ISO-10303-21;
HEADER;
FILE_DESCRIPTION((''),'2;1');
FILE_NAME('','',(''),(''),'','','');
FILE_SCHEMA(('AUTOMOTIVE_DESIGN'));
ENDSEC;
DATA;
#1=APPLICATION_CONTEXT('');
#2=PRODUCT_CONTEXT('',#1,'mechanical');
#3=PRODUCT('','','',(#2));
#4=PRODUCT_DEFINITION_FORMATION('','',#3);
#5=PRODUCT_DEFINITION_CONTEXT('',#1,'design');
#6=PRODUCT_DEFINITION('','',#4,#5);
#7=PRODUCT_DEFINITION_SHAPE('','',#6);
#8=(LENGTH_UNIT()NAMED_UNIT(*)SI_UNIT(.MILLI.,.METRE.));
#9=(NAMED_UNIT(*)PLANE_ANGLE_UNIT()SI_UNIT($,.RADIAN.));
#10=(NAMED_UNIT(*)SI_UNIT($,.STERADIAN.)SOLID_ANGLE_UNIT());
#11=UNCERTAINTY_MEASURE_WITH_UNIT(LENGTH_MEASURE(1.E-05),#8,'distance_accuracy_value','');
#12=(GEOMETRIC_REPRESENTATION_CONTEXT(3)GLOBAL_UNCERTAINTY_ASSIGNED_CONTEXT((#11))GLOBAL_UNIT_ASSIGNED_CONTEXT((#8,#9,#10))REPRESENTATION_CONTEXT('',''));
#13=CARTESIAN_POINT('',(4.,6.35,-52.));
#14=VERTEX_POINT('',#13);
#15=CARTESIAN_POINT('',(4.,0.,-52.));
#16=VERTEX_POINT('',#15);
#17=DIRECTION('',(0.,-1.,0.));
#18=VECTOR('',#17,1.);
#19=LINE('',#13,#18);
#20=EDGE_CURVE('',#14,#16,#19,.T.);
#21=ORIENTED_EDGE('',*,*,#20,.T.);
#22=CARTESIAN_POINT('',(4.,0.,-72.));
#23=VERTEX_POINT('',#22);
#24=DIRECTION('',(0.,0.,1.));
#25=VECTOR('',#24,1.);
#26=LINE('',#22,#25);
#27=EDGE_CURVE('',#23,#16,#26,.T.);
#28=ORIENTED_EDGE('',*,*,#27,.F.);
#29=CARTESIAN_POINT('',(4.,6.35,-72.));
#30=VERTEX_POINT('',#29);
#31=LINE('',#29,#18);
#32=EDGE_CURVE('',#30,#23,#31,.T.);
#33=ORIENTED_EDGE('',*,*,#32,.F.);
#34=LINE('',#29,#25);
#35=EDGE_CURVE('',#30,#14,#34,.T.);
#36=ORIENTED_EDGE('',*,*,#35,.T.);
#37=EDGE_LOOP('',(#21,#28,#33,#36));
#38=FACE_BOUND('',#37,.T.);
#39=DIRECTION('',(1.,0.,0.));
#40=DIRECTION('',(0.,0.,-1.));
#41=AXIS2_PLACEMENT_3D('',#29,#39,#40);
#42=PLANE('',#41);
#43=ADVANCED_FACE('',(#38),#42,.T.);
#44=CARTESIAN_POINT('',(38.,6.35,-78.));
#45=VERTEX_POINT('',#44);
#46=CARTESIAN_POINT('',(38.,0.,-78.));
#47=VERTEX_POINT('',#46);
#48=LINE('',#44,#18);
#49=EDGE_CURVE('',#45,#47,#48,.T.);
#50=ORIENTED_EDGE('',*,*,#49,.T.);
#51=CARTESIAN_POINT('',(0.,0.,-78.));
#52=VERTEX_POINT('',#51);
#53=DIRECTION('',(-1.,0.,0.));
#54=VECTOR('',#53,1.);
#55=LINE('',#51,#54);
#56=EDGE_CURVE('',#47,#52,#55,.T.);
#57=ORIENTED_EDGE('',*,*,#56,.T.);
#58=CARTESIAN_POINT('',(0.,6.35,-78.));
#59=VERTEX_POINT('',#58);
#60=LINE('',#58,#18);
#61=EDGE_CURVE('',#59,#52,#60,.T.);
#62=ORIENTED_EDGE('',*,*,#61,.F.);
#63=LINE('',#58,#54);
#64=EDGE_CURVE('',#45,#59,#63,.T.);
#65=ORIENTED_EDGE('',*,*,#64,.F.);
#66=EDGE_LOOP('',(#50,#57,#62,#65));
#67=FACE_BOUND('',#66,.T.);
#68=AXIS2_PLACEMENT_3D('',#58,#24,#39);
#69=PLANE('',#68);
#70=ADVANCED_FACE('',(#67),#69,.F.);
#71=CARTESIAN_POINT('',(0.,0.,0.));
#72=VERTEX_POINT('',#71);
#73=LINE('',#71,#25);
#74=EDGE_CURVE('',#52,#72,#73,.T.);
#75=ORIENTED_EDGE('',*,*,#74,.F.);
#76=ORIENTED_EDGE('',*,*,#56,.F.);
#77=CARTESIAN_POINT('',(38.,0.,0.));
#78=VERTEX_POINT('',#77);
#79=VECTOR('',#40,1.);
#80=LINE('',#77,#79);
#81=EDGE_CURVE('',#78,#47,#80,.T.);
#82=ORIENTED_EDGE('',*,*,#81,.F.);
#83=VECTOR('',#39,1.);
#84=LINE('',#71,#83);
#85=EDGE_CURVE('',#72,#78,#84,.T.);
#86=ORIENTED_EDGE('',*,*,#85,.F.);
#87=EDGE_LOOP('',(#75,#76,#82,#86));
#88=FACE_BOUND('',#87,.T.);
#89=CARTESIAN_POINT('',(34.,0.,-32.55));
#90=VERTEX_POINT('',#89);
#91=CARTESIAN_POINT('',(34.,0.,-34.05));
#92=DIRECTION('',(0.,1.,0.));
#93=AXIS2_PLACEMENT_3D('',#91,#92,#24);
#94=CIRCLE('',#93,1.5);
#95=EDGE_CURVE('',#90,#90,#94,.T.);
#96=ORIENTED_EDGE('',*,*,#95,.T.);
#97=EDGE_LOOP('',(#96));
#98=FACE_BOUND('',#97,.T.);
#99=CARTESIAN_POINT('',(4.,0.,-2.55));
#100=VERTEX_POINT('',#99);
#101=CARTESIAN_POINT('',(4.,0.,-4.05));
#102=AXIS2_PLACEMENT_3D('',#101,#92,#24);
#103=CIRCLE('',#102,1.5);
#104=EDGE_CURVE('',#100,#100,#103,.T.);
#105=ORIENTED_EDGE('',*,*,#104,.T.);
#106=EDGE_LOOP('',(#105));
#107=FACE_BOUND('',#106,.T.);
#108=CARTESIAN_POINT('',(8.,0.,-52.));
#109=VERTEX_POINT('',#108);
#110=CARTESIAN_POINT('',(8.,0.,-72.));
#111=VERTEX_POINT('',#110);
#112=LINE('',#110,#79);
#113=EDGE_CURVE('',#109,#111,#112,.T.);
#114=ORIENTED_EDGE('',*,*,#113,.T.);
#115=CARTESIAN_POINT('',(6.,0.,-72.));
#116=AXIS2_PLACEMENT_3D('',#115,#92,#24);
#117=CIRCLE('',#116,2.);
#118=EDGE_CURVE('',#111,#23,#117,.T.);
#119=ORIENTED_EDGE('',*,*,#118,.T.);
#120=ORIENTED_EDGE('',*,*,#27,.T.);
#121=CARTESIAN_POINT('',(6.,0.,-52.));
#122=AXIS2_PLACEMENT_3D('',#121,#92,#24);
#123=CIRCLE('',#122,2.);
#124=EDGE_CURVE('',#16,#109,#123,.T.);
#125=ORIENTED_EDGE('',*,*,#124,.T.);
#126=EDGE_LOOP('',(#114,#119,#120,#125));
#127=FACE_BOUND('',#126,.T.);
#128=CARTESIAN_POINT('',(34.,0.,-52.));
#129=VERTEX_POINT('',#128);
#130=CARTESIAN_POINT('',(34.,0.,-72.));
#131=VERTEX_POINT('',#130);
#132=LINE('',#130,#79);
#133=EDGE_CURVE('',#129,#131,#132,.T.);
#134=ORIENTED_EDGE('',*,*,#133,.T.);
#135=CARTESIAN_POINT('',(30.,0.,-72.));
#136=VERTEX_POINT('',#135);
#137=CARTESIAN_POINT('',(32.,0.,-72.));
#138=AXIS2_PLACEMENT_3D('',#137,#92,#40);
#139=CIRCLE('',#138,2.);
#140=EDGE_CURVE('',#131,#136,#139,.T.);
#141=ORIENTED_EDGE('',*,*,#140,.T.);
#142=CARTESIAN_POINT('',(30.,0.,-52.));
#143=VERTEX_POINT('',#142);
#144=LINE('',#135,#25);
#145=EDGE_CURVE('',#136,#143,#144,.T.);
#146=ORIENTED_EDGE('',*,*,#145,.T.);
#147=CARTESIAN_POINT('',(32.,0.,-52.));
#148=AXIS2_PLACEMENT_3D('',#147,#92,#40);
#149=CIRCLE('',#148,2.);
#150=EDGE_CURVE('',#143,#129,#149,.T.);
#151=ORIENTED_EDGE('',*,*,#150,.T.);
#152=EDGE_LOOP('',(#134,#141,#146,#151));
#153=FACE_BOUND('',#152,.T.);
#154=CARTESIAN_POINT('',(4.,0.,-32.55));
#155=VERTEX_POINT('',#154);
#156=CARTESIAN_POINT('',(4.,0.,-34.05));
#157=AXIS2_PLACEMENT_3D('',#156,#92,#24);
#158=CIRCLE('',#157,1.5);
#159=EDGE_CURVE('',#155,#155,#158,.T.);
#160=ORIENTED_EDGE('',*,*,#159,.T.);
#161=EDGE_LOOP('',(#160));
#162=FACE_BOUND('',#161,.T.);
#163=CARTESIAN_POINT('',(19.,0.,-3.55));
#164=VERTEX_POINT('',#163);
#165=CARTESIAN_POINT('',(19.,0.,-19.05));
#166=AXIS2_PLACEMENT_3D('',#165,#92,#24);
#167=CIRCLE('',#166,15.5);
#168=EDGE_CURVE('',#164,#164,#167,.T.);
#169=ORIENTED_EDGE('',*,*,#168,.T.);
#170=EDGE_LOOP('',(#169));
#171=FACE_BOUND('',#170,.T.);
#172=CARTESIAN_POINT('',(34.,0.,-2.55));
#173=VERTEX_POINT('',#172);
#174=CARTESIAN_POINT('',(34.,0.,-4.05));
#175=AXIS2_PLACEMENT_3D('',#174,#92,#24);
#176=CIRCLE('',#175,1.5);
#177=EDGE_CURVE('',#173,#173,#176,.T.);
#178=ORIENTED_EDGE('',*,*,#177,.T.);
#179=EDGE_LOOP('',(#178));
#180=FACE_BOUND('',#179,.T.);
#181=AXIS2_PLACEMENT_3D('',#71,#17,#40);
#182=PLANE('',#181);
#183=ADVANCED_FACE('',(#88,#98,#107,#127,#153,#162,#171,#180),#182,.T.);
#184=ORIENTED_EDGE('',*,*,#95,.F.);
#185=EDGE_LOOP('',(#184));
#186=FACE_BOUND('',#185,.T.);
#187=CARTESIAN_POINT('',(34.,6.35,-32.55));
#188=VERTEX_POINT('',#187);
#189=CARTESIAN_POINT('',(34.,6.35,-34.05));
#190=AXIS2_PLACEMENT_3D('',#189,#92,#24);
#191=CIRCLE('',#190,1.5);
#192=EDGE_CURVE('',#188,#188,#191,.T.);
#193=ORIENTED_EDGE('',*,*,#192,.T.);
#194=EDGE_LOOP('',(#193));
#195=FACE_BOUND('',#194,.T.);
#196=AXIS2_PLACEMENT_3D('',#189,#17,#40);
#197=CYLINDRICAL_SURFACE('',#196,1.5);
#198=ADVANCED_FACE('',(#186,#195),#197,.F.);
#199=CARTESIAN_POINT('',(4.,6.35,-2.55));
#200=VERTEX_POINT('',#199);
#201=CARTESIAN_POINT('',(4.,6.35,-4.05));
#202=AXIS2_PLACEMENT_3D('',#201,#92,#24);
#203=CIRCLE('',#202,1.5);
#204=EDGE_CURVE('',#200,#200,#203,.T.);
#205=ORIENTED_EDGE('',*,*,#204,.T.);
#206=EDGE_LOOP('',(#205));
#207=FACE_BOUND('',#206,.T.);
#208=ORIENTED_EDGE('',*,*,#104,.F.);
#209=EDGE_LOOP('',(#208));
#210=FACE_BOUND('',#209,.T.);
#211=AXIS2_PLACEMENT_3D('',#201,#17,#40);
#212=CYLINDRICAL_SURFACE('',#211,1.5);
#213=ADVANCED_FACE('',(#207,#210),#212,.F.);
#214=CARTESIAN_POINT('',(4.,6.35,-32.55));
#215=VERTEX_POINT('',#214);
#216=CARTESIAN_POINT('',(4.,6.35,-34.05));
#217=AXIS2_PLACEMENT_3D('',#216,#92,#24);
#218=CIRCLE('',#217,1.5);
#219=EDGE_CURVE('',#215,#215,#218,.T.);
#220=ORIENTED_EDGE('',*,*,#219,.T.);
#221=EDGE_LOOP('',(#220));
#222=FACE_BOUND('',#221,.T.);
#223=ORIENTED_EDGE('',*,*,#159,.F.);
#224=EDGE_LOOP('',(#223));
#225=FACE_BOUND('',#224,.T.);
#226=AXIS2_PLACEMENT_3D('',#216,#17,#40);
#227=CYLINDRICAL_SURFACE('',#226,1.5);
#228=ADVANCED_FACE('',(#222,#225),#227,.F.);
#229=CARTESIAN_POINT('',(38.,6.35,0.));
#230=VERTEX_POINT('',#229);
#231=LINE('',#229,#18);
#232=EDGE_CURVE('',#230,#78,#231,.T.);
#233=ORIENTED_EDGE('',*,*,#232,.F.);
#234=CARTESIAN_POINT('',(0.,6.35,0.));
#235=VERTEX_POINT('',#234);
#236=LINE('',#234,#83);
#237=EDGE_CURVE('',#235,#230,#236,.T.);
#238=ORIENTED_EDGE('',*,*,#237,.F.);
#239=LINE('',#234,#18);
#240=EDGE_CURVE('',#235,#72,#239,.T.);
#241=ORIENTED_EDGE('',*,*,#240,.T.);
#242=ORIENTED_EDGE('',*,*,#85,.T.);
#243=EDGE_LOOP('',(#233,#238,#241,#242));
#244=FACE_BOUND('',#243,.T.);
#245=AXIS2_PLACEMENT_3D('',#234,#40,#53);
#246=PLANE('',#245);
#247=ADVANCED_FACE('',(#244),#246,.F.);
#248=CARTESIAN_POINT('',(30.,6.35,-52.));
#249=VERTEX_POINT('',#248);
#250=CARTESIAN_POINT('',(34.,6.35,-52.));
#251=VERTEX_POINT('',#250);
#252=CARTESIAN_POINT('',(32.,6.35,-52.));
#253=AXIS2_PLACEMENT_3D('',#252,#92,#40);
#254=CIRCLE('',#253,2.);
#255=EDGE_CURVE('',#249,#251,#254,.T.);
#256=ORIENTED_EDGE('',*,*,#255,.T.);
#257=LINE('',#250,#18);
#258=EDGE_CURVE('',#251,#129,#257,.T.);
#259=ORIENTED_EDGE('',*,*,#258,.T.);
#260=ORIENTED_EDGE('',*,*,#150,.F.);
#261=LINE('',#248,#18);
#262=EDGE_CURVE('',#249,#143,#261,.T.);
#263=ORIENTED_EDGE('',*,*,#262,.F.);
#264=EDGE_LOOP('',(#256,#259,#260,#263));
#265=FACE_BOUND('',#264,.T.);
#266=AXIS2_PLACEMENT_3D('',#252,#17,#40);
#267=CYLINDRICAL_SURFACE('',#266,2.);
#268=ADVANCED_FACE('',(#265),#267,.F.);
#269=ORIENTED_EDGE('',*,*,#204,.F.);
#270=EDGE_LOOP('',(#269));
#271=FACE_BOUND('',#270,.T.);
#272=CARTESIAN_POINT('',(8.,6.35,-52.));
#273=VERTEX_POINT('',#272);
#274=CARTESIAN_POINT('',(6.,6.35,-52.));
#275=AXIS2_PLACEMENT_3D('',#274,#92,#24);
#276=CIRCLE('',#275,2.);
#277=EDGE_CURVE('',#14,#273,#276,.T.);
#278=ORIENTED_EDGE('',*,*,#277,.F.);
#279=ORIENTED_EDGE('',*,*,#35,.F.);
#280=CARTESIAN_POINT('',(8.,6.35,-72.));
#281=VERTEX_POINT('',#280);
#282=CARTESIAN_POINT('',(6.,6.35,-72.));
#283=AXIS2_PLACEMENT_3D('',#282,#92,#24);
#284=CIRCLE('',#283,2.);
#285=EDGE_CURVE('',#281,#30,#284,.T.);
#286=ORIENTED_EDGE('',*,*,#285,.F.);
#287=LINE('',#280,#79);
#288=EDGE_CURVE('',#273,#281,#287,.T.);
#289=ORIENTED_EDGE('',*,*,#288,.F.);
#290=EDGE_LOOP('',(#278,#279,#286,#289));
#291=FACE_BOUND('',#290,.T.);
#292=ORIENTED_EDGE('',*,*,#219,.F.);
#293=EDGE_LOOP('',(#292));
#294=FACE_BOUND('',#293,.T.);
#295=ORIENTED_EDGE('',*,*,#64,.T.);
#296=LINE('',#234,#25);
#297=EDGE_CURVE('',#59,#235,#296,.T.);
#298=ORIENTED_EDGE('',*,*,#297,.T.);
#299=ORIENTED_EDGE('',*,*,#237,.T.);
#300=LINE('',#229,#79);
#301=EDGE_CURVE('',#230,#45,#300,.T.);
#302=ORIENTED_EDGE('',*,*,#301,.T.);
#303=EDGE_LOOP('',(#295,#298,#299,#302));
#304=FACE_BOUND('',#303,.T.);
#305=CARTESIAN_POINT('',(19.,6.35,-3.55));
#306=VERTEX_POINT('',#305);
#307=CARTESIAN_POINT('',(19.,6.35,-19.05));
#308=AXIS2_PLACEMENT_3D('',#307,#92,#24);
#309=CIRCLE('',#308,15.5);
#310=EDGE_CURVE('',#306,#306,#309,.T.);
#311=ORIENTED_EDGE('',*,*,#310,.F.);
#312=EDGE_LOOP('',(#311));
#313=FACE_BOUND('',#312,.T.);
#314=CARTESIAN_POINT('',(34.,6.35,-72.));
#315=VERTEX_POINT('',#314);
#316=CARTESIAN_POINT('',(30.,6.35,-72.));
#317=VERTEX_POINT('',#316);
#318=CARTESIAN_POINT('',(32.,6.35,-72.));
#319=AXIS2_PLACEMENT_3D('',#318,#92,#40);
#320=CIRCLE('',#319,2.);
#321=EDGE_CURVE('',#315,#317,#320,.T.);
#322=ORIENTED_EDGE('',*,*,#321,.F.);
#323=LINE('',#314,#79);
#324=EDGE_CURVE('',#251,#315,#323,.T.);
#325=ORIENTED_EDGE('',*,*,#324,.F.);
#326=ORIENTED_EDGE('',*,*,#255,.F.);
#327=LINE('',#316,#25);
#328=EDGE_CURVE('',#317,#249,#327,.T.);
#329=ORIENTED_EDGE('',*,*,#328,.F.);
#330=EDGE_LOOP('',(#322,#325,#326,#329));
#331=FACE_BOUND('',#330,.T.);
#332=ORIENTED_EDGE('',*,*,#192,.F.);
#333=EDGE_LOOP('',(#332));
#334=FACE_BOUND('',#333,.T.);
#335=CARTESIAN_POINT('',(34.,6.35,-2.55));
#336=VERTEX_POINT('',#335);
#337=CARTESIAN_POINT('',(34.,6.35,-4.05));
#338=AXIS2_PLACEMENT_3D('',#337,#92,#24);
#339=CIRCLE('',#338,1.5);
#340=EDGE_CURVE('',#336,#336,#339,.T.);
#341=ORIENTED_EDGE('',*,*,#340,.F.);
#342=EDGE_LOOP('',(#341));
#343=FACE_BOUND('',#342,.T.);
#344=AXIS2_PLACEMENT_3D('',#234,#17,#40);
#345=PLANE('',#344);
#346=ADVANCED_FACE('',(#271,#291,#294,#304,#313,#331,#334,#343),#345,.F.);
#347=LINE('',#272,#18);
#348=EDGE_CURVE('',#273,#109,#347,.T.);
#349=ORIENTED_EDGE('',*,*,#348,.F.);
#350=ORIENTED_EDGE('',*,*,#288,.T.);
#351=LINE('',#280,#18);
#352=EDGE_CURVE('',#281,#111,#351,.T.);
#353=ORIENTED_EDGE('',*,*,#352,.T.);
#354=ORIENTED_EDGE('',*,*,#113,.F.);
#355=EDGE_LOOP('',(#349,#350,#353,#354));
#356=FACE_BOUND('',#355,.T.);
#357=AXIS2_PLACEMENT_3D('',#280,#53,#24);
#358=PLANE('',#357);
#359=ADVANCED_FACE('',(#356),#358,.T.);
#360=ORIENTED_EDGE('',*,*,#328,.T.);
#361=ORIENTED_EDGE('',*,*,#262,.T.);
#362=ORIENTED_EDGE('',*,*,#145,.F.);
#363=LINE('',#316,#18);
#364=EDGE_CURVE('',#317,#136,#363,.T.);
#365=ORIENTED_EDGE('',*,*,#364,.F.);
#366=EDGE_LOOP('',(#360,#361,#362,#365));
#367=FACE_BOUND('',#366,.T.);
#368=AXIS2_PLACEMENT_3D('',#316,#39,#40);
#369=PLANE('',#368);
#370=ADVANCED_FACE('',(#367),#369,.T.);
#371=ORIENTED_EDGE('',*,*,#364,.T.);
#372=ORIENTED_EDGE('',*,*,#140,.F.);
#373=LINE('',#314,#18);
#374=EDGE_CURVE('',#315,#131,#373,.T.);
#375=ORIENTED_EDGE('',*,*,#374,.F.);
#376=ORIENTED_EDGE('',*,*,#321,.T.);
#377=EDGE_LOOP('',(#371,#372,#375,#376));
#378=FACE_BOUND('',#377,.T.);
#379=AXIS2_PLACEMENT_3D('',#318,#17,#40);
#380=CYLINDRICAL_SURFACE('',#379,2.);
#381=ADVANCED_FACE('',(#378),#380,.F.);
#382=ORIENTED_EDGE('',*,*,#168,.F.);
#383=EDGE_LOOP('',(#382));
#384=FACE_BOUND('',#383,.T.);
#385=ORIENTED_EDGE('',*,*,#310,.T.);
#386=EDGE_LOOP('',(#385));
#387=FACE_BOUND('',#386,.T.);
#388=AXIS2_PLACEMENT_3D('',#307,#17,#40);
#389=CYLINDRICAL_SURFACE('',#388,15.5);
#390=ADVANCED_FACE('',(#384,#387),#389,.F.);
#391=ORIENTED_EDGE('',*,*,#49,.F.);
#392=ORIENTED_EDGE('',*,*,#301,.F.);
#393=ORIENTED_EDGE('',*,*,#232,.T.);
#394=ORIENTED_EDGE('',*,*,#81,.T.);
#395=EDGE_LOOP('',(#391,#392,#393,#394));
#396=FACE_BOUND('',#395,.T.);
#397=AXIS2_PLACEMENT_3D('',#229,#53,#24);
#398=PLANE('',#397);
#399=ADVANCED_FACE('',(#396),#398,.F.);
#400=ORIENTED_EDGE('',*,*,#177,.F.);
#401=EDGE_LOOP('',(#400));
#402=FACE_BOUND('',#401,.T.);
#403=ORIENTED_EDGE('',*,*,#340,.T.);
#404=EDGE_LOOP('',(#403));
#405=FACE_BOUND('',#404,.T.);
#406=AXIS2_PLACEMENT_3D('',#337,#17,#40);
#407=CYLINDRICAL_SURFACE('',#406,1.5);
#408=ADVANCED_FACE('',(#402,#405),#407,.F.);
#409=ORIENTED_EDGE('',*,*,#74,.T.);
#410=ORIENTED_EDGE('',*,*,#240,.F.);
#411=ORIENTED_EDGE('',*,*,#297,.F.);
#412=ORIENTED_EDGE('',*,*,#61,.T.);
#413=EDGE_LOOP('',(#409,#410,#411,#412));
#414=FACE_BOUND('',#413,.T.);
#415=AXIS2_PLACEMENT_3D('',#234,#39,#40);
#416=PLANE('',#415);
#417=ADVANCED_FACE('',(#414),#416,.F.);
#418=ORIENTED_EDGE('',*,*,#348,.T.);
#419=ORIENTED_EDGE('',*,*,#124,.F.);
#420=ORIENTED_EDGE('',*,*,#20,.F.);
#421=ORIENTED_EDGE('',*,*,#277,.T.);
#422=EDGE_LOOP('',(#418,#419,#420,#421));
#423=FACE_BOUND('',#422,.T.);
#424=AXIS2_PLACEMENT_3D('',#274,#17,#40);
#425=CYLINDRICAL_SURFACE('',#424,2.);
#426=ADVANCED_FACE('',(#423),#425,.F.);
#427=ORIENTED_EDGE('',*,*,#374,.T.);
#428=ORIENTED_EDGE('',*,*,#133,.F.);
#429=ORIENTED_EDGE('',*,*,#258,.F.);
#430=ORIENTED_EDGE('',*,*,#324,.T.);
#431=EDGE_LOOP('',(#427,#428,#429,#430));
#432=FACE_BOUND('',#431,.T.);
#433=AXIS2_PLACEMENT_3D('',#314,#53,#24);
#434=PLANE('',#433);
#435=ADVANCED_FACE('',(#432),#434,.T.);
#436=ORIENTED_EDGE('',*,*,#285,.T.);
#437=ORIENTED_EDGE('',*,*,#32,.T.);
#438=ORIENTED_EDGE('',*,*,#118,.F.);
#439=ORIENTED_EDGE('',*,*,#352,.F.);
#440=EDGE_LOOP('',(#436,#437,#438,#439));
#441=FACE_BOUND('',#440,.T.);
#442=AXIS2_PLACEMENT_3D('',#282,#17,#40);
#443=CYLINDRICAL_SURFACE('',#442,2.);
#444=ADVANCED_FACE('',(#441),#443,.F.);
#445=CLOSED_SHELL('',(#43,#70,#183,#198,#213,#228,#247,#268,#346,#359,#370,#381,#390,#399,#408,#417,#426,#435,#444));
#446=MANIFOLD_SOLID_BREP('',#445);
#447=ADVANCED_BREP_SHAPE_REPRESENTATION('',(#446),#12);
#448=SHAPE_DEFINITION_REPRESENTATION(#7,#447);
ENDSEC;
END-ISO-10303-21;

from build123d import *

# Parameters (mm, degrees)
SKETCH1_W           = 38
SKETCH1_H           = 78
SKETCH1_R           = 1.5
SKETCH1_R_2         = 15.5
BOSS_EXTRUDE1_DEPTH = 6.35


with BuildPart() as part:
    # Sketch1 → Boss-Extrude1 (new body)
    with BuildSketch(Plane(origin=(0, 0, 0), x_dir=(1, 0, 0), z_dir=(0, 1, 0))):
        with Locations((19, 39)):
            Rectangle(SKETCH1_W, SKETCH1_H)
        with Locations(Location((4, 4.05, 0), (0, 0, 270))):
            Circle(SKETCH1_R, mode=Mode.SUBTRACT)
        with Locations(Location((34, 4.05, 0), (0, 0, 270))):
            Circle(SKETCH1_R, mode=Mode.SUBTRACT)
        with Locations(Location((34, 34.05, 0), (0, 0, 270))):
            Circle(SKETCH1_R, mode=Mode.SUBTRACT)
        with Locations(Location((4, 34.05, 0), (0, 0, 270))):
            Circle(SKETCH1_R, mode=Mode.SUBTRACT)
        with Locations(Location((19, 19.05, 0), (0, 0, 270))):
            Circle(SKETCH1_R_2, mode=Mode.SUBTRACT)
        with BuildLine():
            Line((4, 72), (4, 52))
            ThreePointArc((4, 52), (6, 50), (8, 52))
            Line((8, 52), (8, 72))
            ThreePointArc((8, 72), (6, 74), (4, 72))
        make_face(mode=Mode.SUBTRACT)
        with BuildLine():
            Line((30, 72), (30, 52))
            ThreePointArc((30, 52), (32, 50), (34, 52))
            Line((34, 52), (34, 72))
            ThreePointArc((34, 72), (32, 74), (30, 72))
        make_face(mode=Mode.SUBTRACT)
    extrude(amount=BOSS_EXTRUDE1_DEPTH)


solid = part.part
